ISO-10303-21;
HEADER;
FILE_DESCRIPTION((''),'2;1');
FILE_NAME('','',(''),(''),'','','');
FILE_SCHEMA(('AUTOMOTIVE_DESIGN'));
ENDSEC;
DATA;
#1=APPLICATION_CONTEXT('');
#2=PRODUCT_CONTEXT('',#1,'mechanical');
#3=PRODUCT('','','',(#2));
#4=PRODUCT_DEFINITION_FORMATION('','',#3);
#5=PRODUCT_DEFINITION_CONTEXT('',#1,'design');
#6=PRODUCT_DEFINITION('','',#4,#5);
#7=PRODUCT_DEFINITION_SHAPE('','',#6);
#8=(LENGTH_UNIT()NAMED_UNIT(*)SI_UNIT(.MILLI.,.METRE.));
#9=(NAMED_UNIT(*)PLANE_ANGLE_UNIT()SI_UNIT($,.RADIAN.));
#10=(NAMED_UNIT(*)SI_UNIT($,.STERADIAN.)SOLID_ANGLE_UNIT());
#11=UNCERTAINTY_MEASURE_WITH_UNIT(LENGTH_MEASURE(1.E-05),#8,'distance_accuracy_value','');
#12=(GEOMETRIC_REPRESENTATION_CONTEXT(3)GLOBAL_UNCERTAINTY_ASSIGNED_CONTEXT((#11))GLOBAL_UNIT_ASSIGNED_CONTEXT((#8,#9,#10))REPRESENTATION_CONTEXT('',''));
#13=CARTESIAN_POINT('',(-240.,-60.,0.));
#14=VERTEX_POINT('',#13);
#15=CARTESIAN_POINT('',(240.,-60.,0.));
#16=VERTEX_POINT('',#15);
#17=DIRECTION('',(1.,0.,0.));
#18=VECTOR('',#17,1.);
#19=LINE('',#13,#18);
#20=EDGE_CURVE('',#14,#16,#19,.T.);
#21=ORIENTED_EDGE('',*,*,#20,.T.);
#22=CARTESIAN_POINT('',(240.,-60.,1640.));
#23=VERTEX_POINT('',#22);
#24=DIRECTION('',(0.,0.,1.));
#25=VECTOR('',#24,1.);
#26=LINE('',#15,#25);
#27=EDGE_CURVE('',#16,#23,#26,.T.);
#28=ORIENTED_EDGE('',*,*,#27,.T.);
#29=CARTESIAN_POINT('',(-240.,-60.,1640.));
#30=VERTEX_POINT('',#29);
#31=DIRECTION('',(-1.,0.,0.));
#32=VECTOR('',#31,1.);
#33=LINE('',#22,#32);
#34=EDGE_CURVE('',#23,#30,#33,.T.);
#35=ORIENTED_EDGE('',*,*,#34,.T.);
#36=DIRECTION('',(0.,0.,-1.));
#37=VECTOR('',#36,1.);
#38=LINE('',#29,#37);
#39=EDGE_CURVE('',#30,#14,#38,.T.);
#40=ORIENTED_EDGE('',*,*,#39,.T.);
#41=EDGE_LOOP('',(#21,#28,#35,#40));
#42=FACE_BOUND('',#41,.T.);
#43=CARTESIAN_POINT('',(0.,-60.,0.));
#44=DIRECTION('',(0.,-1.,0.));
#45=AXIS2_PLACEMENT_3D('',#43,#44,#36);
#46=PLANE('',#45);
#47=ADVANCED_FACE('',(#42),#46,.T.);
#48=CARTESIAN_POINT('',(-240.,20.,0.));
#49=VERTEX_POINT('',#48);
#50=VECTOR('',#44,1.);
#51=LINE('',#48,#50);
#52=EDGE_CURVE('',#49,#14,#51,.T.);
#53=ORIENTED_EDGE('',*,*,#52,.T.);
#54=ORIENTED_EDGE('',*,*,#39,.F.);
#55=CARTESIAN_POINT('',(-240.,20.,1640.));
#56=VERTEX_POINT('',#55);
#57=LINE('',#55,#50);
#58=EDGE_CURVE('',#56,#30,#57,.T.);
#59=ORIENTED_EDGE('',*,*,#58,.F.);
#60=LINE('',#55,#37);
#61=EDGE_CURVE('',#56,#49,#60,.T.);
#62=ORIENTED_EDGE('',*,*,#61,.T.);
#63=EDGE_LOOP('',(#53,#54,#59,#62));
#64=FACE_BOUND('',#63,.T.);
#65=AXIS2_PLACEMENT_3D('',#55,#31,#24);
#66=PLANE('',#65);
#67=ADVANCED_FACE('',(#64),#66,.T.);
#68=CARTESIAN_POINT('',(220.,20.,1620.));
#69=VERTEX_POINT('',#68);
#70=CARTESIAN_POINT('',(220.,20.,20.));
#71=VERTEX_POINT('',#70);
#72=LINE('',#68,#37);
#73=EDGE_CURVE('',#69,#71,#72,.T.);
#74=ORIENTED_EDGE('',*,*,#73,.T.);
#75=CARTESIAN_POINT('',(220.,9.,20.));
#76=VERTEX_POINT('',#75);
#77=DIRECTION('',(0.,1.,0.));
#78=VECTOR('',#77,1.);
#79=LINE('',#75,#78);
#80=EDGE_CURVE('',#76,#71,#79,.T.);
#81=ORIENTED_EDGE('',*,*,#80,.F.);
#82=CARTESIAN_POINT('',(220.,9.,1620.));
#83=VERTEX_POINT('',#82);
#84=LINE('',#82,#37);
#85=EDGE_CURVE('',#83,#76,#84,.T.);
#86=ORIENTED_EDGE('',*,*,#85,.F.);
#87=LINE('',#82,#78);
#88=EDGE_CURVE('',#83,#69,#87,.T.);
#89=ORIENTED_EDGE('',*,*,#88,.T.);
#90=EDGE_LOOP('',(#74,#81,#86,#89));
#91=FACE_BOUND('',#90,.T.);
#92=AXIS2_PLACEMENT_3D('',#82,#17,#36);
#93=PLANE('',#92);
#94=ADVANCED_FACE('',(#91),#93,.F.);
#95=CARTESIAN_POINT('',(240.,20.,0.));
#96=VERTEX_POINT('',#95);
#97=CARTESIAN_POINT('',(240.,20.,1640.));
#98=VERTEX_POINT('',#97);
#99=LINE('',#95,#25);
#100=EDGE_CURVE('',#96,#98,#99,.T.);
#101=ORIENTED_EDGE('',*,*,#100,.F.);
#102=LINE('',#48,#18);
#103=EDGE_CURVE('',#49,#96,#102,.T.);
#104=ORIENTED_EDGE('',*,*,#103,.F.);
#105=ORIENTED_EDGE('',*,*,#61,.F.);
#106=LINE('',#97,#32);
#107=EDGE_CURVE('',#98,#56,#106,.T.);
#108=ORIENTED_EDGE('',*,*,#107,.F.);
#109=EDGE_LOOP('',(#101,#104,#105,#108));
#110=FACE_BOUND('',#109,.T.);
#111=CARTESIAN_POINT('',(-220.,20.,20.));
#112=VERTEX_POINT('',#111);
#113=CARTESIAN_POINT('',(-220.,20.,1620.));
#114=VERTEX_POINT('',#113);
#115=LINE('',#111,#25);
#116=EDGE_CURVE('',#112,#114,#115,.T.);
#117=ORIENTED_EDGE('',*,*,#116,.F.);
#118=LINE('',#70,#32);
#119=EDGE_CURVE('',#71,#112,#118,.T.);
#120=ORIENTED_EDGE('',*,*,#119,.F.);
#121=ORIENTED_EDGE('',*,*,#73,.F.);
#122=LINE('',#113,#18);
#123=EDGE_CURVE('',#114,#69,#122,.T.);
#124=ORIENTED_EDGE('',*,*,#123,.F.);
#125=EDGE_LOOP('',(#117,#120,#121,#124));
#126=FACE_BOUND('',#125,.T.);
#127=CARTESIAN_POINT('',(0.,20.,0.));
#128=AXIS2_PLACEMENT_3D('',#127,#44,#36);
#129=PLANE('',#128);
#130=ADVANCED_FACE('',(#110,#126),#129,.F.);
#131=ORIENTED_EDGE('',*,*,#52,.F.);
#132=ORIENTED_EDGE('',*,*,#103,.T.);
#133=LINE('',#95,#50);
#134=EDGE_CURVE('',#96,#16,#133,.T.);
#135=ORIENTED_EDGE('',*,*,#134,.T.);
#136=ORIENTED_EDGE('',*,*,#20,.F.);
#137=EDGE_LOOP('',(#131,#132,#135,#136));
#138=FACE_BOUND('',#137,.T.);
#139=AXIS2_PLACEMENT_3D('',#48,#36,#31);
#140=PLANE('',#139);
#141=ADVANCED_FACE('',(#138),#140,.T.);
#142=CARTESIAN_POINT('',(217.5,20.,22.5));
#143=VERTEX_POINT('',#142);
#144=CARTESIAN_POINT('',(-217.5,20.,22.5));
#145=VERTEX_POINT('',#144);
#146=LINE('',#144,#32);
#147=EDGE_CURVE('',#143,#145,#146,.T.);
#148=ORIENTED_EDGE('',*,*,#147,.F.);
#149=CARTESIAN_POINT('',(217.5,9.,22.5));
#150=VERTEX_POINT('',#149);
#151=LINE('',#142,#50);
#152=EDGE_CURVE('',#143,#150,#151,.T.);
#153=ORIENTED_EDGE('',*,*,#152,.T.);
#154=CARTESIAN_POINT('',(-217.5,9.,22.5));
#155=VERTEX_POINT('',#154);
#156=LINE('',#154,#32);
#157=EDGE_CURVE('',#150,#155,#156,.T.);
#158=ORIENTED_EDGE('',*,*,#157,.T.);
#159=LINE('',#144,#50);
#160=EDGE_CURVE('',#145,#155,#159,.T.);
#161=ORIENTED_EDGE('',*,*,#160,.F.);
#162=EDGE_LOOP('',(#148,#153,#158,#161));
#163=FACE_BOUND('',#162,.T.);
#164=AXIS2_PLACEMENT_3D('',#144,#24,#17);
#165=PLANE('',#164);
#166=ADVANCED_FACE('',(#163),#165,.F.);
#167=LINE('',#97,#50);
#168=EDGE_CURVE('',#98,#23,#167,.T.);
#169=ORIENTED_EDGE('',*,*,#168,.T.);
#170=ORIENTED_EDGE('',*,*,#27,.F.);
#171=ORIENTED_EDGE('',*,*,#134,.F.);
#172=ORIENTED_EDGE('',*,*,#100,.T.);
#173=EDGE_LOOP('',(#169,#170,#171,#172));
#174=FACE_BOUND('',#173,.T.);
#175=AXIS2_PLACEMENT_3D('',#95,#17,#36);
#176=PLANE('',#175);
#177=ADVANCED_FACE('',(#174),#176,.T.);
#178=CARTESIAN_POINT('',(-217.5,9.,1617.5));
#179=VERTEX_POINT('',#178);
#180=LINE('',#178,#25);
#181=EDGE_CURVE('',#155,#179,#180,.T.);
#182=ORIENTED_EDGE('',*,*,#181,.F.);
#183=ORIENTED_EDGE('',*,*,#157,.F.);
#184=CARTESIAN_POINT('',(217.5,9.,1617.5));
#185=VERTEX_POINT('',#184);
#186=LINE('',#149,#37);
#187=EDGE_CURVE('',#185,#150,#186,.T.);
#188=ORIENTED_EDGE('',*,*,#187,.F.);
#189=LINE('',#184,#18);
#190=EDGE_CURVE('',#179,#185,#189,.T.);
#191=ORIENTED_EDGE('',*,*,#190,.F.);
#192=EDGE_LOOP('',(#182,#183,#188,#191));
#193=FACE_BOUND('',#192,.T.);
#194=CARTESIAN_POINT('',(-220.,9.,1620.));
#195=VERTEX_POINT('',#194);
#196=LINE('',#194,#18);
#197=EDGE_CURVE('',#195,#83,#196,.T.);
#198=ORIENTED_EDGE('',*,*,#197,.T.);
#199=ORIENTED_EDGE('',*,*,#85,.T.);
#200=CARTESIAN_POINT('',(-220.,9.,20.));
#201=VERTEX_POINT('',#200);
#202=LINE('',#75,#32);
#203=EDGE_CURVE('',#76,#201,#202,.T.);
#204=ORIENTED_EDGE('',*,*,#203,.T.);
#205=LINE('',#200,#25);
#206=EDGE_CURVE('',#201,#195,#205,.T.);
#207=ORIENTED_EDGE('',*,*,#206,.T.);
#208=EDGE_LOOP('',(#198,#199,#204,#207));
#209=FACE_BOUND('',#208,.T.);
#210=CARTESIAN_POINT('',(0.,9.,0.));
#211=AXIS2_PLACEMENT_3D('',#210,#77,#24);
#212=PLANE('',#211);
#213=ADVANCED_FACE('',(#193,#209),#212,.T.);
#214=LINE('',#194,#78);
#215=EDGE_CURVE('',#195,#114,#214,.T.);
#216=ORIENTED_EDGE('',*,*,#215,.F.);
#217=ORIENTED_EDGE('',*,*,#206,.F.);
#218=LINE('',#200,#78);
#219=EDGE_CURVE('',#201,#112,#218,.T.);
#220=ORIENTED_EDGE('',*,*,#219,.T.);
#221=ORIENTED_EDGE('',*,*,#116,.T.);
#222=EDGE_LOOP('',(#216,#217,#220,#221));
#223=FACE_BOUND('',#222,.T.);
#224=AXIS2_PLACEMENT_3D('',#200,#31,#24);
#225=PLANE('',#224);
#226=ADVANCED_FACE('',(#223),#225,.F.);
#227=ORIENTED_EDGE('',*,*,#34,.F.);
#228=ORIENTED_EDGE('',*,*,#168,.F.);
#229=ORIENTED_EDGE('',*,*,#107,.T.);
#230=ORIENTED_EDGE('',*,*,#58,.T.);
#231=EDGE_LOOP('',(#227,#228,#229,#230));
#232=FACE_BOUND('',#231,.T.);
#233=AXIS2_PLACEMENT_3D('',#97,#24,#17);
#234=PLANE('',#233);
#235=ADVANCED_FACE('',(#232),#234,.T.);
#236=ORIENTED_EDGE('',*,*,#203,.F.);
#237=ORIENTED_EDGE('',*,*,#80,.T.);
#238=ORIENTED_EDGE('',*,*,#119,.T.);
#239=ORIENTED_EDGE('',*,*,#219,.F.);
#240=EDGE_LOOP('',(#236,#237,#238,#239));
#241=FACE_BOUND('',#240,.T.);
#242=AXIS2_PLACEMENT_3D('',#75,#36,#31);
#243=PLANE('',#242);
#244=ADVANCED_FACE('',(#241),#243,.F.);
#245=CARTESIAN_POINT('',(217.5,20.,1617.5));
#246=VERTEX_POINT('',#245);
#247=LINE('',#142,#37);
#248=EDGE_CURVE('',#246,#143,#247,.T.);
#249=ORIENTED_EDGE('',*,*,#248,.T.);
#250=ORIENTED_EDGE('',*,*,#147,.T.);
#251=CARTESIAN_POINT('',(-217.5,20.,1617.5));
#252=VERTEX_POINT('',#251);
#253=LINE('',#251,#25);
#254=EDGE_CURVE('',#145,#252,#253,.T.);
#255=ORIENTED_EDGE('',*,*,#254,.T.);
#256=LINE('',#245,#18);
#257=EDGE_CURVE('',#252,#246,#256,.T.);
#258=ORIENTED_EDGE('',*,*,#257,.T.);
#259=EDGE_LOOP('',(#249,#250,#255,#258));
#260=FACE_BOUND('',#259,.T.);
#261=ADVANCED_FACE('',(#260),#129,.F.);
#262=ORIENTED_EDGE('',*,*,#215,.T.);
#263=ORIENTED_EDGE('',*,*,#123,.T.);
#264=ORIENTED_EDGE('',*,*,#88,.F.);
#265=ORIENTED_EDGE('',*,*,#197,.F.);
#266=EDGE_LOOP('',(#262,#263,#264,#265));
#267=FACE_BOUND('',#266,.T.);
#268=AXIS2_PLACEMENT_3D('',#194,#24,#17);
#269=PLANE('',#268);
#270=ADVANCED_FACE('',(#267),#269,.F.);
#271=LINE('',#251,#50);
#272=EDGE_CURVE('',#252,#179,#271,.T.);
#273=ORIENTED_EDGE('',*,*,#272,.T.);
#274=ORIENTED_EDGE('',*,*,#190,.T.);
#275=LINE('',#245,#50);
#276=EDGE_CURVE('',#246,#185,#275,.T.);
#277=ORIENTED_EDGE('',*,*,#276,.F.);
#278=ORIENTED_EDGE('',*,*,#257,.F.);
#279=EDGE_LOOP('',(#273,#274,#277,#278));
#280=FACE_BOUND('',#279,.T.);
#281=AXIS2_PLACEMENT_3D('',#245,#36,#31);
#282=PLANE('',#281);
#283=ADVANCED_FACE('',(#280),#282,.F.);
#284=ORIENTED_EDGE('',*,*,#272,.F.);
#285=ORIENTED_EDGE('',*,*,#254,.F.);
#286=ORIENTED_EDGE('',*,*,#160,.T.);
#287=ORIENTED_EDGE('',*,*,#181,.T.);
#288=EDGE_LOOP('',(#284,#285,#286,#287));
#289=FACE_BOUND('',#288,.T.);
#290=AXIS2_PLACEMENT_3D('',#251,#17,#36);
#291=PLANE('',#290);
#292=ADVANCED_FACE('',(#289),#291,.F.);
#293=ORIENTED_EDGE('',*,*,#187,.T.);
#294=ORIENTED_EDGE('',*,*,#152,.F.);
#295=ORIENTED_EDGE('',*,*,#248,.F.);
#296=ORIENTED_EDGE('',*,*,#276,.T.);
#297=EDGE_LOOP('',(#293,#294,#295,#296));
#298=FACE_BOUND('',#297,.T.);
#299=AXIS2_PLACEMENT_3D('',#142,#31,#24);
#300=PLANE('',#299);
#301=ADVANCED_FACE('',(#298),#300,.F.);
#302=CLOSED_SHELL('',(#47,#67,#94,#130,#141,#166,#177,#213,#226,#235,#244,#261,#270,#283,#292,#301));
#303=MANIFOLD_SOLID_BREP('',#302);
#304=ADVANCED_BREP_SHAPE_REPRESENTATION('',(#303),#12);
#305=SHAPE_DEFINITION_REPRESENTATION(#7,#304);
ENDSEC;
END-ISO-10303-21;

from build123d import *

# Parameters (mm, degrees)
SKETCH1_W           = 480
SKETCH1_H           = 1640
BOSS_EXTRUDE1_DEPTH = 80
SKETCH2_W           = 440
SKETCH2_H           = 1600
CUT_EXTRUDE1_DEPTH  = 11
SKETCH3_W           = 435
SKETCH3_H           = 1595
BOSS_EXTRUDE2_DEPTH = 11


with BuildPart() as part:
    # Sketch1 → Boss-Extrude1 (new body)
    with BuildSketch(Plane.XZ.offset(60)):
        with Locations((0, 820)):
            Rectangle(SKETCH1_W, SKETCH1_H)
    extrude(amount=-BOSS_EXTRUDE1_DEPTH)

    # Sketch2 → Cut-Extrude1 (cut)
    with BuildSketch(Plane(origin=(0, 20, 0), x_dir=(-1, 0, 0), z_dir=(0, 1, 0))):
        with Locations((0, 820)):
            Rectangle(SKETCH2_W, SKETCH2_H)
    extrude(amount=-CUT_EXTRUDE1_DEPTH, mode=Mode.SUBTRACT)

    # Sketch3 → Boss-Extrude2 (add)
    with BuildSketch(Plane(origin=(0, 9, 0), x_dir=(-1, 0, 0), z_dir=(0, 1, 0))):
        with Locations((0, 820)):
            Rectangle(SKETCH3_W, SKETCH3_H)
    extrude(amount=BOSS_EXTRUDE2_DEPTH)


solid = part.part
